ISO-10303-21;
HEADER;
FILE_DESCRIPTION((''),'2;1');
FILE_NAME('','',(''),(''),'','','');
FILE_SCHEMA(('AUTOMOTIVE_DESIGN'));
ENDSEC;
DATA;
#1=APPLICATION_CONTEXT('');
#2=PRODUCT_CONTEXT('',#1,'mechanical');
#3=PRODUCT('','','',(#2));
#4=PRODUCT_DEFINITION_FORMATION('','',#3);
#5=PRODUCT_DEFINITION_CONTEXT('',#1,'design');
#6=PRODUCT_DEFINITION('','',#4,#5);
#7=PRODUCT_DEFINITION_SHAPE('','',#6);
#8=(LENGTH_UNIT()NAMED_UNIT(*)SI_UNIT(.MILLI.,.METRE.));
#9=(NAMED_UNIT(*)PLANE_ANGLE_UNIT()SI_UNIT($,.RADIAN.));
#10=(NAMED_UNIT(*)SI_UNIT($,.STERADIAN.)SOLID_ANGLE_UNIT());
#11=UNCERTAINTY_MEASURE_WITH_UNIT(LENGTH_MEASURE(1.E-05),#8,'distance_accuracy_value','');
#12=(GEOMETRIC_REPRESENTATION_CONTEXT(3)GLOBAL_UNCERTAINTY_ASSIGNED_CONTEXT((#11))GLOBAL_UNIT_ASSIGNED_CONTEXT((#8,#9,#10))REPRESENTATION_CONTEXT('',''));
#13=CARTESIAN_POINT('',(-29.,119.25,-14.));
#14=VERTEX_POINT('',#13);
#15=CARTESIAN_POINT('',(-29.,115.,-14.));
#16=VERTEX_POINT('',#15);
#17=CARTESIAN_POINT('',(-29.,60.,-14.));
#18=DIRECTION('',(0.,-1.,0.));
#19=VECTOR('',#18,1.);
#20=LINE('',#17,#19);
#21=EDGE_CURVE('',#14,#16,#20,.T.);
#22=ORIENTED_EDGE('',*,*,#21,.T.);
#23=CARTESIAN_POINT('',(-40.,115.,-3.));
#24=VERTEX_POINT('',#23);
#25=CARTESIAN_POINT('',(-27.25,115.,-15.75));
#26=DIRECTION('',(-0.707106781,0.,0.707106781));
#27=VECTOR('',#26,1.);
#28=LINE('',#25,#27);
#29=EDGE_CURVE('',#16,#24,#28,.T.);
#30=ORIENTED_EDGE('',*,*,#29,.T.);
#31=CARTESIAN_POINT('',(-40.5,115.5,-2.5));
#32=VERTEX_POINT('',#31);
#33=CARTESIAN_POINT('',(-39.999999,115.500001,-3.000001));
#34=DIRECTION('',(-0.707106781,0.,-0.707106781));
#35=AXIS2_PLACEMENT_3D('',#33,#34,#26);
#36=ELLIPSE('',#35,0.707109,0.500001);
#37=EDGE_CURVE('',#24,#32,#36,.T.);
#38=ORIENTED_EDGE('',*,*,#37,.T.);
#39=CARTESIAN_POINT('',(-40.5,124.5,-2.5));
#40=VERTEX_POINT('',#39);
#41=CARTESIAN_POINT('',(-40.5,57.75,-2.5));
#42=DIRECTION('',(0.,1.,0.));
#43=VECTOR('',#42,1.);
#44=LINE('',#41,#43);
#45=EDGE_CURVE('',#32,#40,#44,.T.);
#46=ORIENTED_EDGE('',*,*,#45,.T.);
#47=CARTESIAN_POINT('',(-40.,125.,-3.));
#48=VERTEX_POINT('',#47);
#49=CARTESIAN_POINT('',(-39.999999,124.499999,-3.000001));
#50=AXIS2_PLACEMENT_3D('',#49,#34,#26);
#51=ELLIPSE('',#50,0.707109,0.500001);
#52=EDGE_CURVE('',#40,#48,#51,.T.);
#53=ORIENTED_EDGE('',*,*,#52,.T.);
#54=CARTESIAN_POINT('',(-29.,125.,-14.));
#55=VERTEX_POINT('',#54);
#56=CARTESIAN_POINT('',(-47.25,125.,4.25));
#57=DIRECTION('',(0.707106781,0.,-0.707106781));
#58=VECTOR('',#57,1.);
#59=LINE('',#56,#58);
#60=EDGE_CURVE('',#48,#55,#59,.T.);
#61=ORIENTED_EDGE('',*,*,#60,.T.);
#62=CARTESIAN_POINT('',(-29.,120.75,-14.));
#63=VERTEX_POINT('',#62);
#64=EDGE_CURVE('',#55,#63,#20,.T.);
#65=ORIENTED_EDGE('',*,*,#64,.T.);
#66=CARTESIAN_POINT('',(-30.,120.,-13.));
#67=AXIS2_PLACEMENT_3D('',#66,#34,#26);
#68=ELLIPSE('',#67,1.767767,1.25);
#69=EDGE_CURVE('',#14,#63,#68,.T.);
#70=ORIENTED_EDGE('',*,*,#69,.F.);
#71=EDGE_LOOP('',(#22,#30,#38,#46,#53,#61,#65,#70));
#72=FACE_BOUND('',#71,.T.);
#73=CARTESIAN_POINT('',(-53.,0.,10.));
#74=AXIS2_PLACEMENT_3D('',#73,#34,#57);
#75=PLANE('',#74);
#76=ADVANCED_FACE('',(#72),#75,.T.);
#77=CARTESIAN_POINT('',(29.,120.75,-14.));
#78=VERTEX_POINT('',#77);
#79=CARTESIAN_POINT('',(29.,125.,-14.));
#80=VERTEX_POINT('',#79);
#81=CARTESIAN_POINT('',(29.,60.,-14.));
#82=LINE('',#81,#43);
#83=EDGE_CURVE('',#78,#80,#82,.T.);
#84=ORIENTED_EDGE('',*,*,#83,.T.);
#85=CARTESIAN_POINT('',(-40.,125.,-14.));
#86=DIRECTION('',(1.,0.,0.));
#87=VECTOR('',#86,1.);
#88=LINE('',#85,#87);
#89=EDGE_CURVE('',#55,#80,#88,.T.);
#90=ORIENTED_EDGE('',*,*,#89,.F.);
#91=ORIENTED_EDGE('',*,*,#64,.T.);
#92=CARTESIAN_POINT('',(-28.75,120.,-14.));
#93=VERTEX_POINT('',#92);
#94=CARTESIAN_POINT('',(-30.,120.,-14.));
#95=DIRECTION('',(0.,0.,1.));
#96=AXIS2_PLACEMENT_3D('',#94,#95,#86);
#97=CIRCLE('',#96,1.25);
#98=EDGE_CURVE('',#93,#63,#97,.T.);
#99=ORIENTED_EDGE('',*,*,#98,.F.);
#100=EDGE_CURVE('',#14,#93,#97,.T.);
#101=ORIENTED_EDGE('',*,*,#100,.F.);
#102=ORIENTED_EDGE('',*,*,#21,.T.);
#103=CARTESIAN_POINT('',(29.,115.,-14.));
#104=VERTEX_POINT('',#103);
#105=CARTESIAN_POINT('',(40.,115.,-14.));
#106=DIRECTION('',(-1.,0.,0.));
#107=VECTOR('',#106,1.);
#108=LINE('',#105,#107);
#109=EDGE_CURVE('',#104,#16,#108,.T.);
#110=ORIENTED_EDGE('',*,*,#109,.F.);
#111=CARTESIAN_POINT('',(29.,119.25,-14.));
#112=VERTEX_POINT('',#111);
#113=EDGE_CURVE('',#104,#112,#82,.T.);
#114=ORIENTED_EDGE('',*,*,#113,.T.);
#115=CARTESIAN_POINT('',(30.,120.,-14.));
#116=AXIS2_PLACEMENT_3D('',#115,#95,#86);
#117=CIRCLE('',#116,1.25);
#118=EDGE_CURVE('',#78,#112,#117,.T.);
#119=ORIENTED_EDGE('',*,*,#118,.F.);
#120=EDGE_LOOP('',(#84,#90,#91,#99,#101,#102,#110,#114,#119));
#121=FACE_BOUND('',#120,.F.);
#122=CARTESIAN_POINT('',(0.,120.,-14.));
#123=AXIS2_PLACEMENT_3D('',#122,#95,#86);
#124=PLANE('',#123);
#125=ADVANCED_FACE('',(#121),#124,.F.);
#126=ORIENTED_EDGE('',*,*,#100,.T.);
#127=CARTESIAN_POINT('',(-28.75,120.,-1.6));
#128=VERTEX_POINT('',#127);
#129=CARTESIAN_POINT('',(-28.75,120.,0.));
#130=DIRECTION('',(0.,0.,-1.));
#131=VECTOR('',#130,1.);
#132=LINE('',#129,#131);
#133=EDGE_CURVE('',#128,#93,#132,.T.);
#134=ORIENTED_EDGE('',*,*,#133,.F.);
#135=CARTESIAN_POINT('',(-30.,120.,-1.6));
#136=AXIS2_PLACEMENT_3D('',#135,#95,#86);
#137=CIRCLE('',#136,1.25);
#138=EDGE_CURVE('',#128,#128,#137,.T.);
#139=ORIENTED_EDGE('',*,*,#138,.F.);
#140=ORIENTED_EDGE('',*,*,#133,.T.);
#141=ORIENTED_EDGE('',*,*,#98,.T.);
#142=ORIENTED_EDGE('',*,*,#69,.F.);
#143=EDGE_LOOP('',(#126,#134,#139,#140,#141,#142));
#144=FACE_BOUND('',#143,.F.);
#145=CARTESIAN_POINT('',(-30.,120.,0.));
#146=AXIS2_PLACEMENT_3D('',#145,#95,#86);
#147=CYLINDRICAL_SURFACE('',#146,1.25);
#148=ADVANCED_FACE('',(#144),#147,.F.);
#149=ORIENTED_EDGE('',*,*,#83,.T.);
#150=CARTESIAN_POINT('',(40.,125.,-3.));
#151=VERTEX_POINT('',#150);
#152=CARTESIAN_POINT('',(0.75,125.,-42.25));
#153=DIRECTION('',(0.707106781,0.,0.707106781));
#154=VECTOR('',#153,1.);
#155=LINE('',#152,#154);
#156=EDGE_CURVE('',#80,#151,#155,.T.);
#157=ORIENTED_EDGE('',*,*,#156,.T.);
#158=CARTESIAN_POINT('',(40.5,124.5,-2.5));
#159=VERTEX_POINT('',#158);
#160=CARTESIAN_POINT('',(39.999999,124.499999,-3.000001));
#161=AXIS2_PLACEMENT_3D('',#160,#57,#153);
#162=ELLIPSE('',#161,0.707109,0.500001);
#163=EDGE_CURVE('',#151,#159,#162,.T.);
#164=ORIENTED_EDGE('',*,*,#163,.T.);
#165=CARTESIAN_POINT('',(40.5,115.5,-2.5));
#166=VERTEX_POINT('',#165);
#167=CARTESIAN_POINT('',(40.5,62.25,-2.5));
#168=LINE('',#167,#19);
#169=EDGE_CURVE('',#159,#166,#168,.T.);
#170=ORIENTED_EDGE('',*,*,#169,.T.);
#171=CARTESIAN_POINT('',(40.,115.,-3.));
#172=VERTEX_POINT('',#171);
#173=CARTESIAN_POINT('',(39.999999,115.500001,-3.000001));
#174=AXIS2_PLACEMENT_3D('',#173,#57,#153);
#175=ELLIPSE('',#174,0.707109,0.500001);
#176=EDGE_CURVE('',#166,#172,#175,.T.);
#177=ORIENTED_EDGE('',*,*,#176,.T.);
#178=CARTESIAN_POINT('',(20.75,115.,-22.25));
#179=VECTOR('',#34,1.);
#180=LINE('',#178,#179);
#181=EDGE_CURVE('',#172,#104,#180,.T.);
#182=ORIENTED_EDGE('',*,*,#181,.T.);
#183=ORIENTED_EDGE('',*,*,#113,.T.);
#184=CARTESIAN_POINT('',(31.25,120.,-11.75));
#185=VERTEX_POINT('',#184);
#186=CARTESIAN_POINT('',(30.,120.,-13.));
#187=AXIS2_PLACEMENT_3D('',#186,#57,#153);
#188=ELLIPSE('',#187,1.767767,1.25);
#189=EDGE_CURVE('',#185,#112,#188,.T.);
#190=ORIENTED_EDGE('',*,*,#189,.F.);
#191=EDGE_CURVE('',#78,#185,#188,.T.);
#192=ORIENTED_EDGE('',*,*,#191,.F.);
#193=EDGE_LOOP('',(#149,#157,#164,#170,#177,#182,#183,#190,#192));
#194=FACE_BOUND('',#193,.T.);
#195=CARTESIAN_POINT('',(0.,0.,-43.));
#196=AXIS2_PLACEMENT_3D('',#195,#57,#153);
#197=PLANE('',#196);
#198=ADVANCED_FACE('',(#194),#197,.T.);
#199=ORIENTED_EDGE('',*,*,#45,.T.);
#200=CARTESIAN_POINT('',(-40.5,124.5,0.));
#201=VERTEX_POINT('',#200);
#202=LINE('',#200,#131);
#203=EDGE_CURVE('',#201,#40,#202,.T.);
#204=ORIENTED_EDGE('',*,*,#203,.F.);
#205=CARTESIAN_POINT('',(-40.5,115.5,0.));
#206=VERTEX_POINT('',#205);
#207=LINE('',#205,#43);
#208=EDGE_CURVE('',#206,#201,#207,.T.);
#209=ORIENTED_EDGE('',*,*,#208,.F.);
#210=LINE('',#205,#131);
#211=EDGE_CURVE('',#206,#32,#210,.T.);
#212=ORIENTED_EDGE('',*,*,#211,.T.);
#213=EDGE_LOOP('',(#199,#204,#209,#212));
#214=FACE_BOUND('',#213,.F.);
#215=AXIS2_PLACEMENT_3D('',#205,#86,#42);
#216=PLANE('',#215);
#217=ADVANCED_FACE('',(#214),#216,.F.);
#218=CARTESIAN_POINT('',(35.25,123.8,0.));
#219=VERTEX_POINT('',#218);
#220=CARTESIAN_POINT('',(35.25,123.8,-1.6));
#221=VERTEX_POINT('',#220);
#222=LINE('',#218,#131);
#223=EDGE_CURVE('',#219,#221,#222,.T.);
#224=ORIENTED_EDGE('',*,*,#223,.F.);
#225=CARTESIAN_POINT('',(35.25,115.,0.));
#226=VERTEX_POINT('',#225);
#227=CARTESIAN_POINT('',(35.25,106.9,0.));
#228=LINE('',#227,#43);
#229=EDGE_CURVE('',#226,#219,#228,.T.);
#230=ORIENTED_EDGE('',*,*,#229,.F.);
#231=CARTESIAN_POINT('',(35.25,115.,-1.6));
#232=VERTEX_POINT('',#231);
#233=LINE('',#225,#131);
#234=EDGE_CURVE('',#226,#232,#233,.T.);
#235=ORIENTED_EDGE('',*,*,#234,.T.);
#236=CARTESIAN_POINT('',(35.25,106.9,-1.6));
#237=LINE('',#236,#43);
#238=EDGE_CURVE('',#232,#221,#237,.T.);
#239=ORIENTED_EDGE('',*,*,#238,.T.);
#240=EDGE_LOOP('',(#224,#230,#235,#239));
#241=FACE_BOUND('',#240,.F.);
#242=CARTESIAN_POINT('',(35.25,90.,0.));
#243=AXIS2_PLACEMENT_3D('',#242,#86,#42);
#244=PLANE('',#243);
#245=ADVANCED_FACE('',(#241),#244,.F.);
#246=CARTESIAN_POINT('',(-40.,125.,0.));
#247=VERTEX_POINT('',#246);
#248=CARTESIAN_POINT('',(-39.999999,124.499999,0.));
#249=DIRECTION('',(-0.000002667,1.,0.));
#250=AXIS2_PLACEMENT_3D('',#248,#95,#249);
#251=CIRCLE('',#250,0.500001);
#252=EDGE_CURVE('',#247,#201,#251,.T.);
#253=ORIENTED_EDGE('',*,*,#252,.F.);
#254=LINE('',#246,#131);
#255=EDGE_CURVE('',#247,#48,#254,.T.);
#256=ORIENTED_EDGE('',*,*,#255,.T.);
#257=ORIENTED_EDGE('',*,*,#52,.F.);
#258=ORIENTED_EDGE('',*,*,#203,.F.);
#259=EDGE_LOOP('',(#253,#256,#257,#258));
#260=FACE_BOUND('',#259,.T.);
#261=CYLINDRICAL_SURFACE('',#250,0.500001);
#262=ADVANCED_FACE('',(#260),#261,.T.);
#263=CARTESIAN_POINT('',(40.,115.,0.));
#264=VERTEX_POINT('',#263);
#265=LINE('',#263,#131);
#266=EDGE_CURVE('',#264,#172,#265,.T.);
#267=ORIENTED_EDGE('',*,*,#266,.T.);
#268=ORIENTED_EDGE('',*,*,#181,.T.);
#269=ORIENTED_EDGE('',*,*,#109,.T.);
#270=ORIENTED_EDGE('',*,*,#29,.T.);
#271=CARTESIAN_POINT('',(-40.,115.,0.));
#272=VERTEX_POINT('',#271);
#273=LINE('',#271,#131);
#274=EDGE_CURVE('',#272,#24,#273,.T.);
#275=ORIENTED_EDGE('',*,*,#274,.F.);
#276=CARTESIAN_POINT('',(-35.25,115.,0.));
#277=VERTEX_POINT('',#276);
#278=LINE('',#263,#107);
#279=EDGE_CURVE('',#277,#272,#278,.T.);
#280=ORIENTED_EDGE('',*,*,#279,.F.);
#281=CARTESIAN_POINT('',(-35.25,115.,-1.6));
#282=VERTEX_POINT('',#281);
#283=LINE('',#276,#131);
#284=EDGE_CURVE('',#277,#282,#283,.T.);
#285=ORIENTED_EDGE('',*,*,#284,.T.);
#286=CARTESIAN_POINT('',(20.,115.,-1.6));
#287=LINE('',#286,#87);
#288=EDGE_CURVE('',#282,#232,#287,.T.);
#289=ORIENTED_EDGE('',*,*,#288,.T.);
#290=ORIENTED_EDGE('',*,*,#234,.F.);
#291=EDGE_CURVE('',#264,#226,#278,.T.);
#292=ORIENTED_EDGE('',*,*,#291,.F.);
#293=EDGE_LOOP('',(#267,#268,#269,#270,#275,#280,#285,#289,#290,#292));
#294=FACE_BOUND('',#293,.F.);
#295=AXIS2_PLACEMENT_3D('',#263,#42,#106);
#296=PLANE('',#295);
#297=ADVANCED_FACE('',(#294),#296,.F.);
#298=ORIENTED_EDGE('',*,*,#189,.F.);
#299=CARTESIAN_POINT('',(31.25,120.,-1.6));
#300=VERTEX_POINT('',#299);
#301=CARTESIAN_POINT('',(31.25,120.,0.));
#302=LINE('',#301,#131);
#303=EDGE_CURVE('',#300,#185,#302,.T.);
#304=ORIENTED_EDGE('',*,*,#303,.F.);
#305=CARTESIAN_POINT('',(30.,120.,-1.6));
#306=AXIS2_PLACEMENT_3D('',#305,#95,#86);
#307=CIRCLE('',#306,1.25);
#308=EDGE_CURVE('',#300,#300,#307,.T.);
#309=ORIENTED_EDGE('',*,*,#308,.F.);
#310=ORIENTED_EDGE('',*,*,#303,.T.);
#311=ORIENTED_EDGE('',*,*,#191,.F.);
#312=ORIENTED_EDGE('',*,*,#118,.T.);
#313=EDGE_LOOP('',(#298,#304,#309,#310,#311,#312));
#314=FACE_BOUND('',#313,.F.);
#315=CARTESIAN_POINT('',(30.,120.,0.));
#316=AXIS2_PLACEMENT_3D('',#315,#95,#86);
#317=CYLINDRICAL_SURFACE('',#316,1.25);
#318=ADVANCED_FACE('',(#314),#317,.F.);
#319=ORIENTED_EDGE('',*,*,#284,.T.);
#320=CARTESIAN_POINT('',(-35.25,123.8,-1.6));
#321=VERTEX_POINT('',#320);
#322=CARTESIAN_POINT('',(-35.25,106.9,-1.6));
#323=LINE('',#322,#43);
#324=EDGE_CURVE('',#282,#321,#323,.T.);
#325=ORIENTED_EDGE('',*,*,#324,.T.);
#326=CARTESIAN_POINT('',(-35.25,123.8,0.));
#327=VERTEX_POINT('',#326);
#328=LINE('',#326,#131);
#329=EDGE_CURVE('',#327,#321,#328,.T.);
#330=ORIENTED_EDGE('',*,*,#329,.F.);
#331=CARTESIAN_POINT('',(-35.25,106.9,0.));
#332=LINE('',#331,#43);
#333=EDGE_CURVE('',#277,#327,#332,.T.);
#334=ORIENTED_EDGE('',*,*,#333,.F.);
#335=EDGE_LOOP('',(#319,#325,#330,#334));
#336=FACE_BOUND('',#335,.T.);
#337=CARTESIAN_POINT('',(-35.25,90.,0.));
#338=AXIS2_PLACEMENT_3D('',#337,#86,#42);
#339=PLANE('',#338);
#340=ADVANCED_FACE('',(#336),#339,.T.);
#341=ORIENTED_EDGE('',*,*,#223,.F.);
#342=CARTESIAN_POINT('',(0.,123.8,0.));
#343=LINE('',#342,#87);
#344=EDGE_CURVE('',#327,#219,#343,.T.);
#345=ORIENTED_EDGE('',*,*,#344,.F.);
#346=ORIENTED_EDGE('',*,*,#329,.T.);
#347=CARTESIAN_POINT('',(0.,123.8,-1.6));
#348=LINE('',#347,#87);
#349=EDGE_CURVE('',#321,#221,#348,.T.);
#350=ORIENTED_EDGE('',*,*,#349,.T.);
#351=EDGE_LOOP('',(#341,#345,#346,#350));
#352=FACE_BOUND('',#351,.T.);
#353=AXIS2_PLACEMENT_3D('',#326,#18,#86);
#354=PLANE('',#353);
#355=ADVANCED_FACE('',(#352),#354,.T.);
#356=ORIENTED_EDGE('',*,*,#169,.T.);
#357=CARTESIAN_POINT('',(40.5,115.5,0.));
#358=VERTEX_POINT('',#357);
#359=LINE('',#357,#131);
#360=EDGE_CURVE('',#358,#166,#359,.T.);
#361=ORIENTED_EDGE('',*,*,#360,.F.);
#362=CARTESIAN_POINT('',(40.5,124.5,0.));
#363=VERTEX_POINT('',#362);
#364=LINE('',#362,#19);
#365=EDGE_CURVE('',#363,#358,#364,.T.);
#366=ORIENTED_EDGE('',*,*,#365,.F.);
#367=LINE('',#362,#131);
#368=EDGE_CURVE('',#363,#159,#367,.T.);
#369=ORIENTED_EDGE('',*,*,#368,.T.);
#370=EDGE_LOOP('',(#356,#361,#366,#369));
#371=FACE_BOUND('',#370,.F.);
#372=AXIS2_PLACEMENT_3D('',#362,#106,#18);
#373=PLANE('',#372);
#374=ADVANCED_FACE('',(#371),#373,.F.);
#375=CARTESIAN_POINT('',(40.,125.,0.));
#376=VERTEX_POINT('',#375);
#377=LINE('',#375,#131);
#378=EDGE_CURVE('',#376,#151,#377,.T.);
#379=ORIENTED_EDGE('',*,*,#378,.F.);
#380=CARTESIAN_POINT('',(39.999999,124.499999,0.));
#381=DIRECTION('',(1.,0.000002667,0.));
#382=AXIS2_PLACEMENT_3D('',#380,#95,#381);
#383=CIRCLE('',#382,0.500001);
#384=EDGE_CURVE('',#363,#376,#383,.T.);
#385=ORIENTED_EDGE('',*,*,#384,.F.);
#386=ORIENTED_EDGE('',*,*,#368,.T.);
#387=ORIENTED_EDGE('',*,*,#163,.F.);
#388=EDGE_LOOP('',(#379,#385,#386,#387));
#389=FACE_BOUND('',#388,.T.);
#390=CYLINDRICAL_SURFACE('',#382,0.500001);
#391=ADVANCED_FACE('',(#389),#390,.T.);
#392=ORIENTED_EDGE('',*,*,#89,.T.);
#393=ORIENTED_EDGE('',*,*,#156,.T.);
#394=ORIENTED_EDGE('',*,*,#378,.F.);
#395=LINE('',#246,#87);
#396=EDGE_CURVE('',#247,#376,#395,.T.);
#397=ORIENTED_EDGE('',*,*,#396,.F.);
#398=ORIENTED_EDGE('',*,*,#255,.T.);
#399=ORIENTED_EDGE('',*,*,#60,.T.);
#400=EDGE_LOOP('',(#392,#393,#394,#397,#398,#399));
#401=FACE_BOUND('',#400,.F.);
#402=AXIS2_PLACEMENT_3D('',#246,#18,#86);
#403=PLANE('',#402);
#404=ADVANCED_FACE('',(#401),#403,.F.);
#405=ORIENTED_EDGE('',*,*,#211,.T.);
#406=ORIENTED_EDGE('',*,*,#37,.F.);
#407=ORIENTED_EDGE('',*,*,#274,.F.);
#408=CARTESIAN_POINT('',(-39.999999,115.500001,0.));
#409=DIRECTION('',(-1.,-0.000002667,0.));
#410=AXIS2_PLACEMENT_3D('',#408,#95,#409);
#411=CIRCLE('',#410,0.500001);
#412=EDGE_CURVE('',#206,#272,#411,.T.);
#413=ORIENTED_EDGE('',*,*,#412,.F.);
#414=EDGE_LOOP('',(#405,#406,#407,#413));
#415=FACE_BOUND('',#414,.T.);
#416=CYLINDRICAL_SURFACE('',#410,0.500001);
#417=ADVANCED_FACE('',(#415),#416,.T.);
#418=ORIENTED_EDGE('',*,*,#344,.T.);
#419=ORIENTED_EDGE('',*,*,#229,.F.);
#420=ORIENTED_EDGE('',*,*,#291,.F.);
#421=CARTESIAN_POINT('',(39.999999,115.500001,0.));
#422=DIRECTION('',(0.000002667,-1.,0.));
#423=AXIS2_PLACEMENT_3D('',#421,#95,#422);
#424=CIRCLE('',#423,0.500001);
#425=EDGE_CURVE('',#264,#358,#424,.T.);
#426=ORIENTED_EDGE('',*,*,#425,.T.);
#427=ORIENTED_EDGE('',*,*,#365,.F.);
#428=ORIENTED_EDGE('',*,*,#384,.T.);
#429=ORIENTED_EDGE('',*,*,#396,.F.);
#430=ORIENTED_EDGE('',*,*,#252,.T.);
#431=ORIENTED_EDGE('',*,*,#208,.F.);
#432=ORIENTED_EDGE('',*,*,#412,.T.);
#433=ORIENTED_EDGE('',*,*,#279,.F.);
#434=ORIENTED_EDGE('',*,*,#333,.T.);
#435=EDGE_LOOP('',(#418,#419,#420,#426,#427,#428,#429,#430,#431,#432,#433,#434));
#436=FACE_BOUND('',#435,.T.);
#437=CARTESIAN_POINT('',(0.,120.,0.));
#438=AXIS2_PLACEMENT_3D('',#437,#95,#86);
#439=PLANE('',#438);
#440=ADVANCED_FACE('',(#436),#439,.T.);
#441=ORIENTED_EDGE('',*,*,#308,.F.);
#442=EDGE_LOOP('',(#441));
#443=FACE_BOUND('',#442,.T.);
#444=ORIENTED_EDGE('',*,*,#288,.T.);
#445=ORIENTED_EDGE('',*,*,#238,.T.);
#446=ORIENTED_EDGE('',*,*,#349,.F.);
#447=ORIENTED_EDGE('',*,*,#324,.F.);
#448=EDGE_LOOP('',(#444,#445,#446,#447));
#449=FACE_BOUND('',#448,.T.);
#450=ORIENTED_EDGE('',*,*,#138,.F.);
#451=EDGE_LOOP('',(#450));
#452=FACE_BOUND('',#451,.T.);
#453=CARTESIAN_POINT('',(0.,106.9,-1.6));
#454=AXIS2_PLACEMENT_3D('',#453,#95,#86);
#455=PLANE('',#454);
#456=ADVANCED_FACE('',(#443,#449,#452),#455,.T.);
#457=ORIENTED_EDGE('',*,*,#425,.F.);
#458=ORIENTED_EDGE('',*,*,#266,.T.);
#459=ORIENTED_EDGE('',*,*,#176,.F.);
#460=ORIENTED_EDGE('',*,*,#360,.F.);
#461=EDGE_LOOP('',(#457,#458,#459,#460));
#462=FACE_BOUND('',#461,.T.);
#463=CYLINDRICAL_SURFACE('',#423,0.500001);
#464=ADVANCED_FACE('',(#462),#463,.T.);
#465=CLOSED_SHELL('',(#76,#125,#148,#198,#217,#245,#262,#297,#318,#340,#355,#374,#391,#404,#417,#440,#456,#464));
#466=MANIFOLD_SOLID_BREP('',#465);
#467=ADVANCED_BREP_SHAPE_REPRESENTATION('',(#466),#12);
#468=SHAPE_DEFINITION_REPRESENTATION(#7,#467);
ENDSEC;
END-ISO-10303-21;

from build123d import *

# Parameters (mm, degrees)
SKETCH053_R     = 1.25
PAD016_DEPTH    = 14
SKETCH054_W     = 70.5
SKETCH054_H     = 33.8
POCKET031_DEPTH = 1.6
POCKET032_DEPTH = 125.001


with BuildPart() as part:
    # Sketch053 → Pad016 (new body)
    with BuildSketch(Plane.XY):
        with BuildLine():
            ThreePointArc((-40, 125), (-40.353553, 124.853553), (-40.5, 124.5))
            Line((-40.5, 115.5), (-40.5, 124.5))
            ThreePointArc((-40.5, 115.5), (-40.353553, 115.146447), (-40, 115))
            Line((40, 115), (-40, 115))
            ThreePointArc((40, 115), (40.353553, 115.146447), (40.5, 115.5))
            Line((40.5, 124.5), (40.5, 115.5))
            ThreePointArc((40.5, 124.5), (40.353553, 124.853553), (40, 125))
            Line((-40, 125), (40, 125))
        make_face()
        with Locations((-30, 120)):
            Circle(SKETCH053_R, mode=Mode.SUBTRACT)
        with Locations((30, 120)):
            Circle(SKETCH053_R, mode=Mode.SUBTRACT)
    extrude(amount=-PAD016_DEPTH)

    # Sketch054 → Pocket031 (cut)
    with BuildSketch(Plane.XY):
        with Locations((0, 106.9)):
            Rectangle(SKETCH054_W, SKETCH054_H)
    extrude(amount=-POCKET031_DEPTH, mode=Mode.SUBTRACT)

    # Sketch055 → Pocket032 (cut, through all)
    with BuildSketch(Plane.XZ):
        Polygon((-53, 10), (0, -43), (53, 10), (53, -60), (-53, -60), align=None)
    extrude(amount=-POCKET032_DEPTH, mode=Mode.SUBTRACT)


solid = part.part
